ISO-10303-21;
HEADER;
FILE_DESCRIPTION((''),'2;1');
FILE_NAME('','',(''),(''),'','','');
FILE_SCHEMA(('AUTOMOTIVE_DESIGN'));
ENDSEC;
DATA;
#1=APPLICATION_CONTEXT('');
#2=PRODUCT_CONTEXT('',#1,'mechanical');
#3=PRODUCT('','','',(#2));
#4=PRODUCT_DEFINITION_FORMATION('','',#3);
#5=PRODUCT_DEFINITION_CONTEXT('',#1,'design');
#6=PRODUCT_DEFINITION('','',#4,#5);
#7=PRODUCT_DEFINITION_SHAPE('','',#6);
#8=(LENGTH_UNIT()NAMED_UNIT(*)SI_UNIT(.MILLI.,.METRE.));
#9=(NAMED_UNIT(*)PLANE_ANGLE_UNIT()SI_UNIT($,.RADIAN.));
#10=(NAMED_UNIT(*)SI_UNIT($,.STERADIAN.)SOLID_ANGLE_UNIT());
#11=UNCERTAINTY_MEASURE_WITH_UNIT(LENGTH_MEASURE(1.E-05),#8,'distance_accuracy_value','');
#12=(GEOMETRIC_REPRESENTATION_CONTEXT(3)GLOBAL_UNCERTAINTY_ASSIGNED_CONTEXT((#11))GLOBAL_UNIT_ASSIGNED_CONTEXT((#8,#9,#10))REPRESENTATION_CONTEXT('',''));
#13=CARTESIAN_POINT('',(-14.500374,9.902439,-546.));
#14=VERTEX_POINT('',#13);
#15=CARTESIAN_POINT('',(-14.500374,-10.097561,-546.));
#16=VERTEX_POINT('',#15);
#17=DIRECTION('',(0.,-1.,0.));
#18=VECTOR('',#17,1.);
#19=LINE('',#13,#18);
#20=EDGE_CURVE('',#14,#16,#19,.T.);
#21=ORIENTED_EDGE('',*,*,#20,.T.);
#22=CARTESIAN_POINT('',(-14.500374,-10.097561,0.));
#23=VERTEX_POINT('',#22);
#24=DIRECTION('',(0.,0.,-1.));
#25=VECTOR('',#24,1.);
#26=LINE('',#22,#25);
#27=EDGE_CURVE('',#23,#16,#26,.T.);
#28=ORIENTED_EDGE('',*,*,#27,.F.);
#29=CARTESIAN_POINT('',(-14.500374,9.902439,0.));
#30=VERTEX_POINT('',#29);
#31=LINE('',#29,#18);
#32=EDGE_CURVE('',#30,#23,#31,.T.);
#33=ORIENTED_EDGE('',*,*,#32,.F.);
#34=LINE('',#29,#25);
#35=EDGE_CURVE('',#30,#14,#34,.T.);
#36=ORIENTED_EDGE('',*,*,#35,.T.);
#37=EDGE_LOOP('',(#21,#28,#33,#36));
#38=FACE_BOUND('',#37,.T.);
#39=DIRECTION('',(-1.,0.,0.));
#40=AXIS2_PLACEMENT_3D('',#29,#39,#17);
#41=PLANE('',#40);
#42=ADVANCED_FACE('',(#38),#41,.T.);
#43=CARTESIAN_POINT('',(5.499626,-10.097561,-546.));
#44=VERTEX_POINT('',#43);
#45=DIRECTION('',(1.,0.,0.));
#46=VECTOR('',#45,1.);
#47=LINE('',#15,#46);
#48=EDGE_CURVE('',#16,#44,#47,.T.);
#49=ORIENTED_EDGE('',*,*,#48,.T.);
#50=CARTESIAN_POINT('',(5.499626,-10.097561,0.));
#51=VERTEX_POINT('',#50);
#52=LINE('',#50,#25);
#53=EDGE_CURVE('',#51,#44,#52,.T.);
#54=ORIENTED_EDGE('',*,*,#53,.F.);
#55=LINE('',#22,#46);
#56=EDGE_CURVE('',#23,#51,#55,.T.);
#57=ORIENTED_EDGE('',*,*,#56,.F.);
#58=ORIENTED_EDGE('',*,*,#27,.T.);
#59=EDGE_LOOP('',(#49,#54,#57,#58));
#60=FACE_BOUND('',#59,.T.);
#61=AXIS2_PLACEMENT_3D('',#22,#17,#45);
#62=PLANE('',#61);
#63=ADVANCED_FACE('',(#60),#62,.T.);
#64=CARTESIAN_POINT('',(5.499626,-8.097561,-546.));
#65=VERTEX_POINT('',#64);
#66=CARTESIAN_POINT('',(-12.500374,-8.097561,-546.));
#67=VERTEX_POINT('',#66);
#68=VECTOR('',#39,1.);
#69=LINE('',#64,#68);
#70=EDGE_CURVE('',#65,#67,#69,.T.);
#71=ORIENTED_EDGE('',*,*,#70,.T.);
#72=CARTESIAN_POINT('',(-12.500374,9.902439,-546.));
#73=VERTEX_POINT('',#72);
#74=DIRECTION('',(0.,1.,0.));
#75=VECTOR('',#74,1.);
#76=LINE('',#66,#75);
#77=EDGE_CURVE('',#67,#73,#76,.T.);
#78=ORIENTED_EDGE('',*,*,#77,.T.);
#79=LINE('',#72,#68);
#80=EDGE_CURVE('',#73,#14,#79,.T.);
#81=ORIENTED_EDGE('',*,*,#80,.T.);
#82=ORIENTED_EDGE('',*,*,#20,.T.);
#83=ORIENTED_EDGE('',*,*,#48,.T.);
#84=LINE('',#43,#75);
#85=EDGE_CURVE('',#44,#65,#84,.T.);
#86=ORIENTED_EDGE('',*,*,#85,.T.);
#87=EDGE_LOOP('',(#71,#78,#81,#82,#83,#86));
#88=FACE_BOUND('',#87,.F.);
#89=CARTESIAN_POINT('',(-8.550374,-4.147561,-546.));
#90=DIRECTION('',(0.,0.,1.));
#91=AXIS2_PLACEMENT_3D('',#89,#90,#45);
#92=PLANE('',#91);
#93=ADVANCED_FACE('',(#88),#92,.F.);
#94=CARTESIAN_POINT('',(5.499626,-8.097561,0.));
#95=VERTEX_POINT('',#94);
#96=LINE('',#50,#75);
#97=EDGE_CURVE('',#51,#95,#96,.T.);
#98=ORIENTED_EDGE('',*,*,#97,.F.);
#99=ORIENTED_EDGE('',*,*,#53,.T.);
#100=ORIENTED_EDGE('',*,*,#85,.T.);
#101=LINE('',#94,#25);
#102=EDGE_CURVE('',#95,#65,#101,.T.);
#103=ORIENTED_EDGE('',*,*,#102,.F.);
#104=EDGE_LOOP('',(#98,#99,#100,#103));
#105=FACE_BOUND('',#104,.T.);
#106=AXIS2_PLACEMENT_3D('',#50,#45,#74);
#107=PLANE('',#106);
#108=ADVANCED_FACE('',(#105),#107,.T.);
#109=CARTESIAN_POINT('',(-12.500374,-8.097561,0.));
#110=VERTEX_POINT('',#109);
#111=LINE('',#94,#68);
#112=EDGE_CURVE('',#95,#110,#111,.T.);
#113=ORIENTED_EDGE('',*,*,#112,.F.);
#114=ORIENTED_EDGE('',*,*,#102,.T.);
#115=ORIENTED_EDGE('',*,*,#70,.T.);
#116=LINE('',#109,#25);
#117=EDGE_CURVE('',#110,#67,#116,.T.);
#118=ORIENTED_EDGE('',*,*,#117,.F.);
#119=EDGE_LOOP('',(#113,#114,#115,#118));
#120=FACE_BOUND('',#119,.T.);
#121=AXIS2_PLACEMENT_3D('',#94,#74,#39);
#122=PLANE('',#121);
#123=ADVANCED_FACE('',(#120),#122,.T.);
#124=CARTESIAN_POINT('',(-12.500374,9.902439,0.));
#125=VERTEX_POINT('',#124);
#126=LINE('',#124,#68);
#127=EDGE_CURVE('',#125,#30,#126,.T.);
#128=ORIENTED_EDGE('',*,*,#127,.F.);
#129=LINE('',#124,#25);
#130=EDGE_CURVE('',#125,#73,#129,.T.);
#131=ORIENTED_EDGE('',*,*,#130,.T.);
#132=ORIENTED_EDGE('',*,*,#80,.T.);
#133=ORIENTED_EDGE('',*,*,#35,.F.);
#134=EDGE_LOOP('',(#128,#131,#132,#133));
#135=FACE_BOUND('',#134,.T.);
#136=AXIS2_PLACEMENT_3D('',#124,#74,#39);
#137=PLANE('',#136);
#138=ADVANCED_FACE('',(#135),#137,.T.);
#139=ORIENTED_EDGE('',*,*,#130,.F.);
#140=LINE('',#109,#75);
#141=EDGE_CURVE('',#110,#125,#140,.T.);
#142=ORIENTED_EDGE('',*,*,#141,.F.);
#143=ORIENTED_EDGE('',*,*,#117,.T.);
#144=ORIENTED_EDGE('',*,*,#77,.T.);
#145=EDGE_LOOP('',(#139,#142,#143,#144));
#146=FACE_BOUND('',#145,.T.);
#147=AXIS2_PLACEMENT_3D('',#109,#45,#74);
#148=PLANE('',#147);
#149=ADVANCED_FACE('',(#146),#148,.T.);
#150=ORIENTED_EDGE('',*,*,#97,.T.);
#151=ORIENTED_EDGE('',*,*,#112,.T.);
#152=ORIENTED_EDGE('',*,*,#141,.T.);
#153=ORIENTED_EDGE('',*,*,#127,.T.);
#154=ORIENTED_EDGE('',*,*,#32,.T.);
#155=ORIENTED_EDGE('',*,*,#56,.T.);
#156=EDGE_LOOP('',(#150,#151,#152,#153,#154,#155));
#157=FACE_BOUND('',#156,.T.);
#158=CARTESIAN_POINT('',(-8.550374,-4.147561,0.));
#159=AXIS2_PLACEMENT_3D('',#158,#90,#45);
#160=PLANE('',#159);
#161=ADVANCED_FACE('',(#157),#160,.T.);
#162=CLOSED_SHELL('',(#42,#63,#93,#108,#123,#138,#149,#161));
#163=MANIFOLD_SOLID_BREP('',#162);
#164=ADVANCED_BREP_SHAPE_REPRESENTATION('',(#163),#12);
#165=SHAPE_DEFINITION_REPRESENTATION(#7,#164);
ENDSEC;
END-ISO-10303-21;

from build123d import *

# Parameters (mm, degrees)
BOSS_EXTRUDE1_DEPTH = 546


with BuildPart() as part:
    # Sketch1 → Boss-Extrude1 (new body)
    with BuildSketch(Plane.XY):
        Polygon((-12.500374185, 9.902439024), (-14.500374185, 9.902439024), (-14.500374185, -10.097560976), (5.499625815, -10.097560976), (5.499625815, -8.097560976), (-12.500374185, -8.097560976), align=None)
    extrude(amount=-BOSS_EXTRUDE1_DEPTH)


solid = part.part
